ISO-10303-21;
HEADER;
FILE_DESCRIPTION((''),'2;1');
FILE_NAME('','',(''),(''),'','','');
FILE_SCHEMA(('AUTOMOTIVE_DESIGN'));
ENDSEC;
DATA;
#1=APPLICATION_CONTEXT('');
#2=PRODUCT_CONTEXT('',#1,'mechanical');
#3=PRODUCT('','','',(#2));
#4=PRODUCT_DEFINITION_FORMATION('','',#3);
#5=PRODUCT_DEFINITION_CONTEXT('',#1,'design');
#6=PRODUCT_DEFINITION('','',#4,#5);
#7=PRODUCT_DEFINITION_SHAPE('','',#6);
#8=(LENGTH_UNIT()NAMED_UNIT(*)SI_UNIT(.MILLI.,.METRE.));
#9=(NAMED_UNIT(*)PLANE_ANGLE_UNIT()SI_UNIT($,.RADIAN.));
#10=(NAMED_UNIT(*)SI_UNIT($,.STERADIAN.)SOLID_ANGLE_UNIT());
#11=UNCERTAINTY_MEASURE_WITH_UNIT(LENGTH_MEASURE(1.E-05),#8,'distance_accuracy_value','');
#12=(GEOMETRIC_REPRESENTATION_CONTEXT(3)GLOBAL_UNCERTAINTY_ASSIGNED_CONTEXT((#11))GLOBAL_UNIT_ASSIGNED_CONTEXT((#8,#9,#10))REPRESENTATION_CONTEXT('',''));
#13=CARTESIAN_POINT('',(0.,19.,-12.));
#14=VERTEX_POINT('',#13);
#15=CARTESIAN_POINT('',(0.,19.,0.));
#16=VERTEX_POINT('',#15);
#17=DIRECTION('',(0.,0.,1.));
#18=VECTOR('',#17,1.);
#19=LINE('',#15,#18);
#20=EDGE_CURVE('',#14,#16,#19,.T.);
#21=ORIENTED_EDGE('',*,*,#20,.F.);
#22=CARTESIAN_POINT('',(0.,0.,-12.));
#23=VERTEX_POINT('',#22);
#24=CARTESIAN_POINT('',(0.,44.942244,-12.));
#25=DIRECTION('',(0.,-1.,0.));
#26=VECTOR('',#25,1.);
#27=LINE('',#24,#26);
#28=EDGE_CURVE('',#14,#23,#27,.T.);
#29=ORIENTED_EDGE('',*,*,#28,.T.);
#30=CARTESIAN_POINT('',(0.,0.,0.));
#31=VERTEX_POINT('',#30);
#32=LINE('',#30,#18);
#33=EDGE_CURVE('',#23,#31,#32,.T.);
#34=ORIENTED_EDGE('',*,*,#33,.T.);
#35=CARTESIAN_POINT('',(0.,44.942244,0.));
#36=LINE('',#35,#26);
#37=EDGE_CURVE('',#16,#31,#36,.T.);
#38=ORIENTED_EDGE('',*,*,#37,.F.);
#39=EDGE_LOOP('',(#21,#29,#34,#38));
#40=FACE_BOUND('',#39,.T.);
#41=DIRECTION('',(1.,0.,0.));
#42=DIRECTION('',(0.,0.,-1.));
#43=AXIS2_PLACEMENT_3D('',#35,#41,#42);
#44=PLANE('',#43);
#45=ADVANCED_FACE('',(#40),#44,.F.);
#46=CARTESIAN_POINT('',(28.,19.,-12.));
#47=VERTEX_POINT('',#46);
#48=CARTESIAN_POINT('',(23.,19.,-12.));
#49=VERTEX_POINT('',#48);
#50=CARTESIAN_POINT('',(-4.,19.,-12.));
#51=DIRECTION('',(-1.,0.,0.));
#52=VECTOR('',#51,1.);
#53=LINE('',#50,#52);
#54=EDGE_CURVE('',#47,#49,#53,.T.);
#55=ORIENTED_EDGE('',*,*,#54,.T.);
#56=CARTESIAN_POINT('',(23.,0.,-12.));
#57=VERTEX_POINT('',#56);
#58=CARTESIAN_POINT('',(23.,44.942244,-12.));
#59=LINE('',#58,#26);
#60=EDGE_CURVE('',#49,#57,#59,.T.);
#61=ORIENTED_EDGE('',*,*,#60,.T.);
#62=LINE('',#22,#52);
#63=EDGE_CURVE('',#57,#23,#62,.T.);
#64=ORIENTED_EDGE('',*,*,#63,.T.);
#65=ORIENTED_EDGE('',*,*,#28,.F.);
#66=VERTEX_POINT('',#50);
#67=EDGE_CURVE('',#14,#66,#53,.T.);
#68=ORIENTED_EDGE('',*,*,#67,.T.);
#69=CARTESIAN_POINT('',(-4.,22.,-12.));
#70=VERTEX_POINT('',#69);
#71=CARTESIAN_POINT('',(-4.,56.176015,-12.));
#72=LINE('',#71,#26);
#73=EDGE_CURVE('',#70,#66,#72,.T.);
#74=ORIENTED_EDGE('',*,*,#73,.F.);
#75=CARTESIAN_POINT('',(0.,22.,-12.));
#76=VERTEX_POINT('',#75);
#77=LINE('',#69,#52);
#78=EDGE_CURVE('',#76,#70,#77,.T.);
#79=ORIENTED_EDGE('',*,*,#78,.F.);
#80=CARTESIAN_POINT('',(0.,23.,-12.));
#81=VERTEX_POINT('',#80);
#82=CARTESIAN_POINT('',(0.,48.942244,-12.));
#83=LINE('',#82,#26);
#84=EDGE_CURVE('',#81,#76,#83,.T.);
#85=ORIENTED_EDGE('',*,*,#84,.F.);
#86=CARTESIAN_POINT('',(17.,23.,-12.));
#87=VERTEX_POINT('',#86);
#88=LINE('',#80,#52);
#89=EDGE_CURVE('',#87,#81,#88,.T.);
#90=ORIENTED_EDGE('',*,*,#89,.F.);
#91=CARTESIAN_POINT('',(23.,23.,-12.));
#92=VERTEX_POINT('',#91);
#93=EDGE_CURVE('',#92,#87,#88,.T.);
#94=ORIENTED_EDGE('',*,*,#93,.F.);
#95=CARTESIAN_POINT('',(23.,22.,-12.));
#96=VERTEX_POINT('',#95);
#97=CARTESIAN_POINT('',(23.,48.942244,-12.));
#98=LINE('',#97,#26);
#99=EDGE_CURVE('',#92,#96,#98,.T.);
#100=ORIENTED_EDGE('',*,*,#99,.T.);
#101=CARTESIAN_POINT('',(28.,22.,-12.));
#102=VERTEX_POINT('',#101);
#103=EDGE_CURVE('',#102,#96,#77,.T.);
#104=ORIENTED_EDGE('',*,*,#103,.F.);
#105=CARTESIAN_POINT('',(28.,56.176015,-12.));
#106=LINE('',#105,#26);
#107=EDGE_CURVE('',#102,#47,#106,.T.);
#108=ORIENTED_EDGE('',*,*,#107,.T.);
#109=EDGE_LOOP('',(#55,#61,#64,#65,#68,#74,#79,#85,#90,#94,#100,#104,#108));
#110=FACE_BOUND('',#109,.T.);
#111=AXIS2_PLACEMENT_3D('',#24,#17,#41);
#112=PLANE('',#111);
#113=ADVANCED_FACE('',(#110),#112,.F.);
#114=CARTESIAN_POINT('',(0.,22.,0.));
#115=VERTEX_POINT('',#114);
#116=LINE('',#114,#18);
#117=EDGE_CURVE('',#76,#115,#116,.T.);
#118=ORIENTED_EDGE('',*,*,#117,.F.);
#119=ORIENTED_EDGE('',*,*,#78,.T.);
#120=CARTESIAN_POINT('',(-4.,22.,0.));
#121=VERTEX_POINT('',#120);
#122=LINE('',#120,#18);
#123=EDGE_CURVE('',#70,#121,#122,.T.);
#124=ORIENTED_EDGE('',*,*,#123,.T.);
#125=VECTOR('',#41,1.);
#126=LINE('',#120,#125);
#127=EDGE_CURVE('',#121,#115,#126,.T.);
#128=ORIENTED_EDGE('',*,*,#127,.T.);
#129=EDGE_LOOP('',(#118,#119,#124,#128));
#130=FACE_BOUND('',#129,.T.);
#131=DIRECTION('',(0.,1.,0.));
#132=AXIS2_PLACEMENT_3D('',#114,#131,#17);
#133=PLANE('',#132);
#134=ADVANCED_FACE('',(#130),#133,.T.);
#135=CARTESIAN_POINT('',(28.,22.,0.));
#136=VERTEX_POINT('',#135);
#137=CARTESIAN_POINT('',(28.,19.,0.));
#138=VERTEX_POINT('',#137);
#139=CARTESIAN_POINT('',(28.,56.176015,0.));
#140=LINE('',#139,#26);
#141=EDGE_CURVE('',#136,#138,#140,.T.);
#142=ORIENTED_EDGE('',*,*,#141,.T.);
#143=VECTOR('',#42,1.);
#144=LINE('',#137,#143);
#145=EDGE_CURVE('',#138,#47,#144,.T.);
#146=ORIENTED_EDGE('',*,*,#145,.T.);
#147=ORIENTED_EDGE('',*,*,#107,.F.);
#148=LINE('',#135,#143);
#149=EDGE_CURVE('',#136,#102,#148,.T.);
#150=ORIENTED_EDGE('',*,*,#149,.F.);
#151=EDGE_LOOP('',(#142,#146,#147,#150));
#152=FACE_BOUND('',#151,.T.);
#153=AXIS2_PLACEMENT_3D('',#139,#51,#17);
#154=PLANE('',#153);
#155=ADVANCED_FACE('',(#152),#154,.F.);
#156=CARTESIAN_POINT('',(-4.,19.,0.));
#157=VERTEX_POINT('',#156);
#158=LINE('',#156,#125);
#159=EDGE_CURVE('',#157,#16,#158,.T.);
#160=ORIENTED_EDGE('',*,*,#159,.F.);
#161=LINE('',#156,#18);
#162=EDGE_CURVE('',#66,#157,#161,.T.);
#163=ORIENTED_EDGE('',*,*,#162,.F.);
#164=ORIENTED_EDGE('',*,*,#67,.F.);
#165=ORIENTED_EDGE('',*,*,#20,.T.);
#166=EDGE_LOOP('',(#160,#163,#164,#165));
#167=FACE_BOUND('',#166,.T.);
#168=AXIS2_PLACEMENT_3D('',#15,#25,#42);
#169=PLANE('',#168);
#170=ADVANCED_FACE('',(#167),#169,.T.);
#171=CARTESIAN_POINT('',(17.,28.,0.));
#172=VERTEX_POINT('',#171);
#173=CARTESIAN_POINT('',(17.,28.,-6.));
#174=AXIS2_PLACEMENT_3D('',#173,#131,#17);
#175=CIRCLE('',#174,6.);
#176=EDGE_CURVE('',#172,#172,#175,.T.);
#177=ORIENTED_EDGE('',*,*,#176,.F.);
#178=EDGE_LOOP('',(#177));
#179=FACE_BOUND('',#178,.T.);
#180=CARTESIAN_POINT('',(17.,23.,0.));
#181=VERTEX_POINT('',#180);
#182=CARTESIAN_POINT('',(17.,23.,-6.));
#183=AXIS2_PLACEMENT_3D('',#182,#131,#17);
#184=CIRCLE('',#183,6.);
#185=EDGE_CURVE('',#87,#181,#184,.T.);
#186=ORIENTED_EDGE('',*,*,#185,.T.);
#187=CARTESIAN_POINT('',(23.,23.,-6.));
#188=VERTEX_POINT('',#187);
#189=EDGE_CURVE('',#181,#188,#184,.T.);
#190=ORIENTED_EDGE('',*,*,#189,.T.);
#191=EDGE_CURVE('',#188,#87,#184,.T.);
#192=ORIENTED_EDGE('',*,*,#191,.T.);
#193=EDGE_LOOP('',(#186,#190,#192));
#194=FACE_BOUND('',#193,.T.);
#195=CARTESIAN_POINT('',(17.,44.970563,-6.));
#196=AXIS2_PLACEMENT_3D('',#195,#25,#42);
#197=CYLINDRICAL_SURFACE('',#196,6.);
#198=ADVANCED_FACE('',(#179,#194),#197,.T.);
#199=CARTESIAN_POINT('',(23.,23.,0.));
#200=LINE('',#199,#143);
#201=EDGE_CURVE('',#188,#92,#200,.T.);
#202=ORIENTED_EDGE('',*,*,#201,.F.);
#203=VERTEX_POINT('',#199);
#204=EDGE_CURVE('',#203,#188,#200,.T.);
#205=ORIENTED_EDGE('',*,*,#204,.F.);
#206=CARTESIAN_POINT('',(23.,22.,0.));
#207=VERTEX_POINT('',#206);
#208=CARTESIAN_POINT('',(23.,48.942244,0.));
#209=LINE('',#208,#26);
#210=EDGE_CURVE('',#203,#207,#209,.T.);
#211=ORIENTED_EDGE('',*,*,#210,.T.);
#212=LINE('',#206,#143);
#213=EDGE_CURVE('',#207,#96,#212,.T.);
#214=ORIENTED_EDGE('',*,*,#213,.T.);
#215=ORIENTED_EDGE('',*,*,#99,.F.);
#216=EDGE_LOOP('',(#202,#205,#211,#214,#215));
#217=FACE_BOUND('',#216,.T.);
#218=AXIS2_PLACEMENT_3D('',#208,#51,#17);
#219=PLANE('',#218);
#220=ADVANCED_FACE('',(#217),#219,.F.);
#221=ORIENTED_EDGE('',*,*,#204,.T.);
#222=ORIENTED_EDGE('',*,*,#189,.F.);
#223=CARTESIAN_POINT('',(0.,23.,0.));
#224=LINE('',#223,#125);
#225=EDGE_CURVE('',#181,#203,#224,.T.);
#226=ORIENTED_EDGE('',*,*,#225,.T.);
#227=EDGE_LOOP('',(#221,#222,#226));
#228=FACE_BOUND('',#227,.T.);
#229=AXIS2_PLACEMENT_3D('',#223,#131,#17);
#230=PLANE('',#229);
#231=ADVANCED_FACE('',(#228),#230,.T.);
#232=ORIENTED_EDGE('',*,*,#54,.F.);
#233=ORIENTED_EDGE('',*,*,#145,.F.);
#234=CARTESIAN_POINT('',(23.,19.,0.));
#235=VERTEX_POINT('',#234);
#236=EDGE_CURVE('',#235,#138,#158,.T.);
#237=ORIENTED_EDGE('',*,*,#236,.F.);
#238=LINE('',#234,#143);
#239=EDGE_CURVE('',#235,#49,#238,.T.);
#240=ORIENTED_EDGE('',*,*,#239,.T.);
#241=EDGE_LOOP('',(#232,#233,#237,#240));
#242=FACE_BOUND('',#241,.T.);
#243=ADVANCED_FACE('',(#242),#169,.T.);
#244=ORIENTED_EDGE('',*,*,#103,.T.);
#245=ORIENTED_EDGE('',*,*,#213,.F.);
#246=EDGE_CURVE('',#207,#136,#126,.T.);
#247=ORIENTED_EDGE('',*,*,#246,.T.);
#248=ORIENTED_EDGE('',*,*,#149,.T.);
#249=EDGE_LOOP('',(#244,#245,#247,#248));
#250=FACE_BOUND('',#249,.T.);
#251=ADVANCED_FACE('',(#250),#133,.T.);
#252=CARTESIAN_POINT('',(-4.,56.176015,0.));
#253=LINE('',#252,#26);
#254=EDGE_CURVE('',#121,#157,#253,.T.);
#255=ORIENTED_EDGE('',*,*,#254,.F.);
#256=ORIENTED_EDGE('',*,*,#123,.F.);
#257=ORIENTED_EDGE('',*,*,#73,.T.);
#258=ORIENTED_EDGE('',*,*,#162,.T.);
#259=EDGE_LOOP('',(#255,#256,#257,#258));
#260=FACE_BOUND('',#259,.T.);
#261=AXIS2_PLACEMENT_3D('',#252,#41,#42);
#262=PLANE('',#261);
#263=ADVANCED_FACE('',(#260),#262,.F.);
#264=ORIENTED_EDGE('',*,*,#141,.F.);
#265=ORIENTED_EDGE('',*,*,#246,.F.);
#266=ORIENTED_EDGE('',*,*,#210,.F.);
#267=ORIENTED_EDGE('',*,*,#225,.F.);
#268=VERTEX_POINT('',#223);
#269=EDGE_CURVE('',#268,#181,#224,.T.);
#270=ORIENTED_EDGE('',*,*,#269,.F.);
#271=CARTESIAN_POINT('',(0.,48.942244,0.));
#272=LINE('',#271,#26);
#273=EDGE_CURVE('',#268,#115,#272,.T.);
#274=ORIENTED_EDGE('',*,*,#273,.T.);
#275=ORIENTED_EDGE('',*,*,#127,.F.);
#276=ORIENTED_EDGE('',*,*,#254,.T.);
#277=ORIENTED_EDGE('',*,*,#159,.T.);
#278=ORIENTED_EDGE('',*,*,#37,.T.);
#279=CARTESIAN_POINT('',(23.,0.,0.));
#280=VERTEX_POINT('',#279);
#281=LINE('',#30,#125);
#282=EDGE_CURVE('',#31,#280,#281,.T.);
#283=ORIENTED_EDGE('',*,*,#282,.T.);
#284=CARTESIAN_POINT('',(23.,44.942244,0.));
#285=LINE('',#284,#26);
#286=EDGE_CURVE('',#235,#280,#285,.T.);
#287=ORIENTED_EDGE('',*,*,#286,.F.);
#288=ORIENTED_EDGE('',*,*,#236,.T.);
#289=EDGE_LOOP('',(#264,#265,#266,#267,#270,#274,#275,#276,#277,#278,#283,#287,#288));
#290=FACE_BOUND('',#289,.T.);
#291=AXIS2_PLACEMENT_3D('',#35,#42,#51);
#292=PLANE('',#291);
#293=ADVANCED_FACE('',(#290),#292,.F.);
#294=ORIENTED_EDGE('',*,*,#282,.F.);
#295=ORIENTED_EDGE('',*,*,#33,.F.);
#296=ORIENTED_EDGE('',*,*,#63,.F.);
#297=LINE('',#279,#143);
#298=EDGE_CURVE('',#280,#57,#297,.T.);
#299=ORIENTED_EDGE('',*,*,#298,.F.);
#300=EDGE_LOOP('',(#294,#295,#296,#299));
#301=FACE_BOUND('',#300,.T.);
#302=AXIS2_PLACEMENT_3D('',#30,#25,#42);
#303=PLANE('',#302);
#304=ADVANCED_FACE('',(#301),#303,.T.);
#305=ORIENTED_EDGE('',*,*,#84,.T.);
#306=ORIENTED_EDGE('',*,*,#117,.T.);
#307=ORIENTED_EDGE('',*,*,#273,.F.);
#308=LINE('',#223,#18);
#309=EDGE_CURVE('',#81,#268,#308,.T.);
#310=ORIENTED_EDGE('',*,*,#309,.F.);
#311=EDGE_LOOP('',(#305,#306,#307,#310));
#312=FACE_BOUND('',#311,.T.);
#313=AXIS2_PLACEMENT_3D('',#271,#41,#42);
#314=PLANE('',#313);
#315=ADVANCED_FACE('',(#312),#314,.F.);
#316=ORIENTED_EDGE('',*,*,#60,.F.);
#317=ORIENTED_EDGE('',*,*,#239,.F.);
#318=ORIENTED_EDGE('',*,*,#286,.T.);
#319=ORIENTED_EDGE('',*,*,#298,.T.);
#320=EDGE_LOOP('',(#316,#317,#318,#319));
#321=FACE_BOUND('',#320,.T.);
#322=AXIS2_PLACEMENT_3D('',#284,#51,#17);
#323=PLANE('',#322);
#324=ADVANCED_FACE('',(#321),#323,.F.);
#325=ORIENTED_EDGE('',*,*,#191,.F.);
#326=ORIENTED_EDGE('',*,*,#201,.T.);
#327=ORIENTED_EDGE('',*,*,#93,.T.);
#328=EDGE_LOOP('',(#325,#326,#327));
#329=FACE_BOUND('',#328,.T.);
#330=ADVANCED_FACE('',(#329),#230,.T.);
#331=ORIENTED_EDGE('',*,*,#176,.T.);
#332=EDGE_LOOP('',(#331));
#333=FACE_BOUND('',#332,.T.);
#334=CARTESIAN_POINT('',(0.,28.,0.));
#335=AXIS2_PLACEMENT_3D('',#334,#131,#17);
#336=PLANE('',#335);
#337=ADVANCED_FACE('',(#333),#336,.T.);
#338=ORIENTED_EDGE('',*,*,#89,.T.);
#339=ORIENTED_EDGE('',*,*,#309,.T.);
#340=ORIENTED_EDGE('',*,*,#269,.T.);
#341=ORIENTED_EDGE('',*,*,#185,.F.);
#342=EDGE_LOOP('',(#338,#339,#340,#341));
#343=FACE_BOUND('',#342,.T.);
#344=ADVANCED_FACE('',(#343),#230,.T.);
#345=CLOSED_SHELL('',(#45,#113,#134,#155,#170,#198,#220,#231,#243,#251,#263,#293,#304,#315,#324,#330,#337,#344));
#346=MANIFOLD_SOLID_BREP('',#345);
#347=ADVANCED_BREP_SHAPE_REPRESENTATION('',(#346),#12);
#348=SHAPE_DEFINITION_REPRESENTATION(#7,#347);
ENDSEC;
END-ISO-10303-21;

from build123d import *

# Parameters (mm, degrees)
CORPS_SERVO_W      = 23
CORPS_SERVO_H      = 12
BOSS_EXTRU_2_DEPTH = 19
PLAQUE_TROUS_W     = 32
PLAQUE_TROUS_H     = 12
BOSS_EXTRU_3_DEPTH = 3
ESQUISSE5_W        = 23
ESQUISSE5_H        = 12
BOSS_EXTRU_4_DEPTH = 1
ESQUISSE6_R        = 6
BOSS_EXTRU_5_DEPTH = 5


with BuildPart() as part:
    # corps servo → Boss.-Extru.2 (new body)
    with BuildSketch(Plane(origin=(0, 0, 0), x_dir=(1, 0, 0), z_dir=(0, 1, 0))):
        with Locations((11.5, 6)):
            Rectangle(CORPS_SERVO_W, CORPS_SERVO_H)
    extrude(amount=BOSS_EXTRU_2_DEPTH)

    # plaque trous → Boss.-Extru.3 (add)
    with BuildSketch(Plane(origin=(0, 19, 0), x_dir=(1, 0, 0), z_dir=(0, 1, 0))):
        with Locations((12, 6)):
            Rectangle(PLAQUE_TROUS_W, PLAQUE_TROUS_H)
    extrude(amount=BOSS_EXTRU_3_DEPTH)

    # Esquisse5 → Boss.-Extru.4 (add)
    with BuildSketch(Plane(origin=(0, 22, 0), x_dir=(1, 0, 0), z_dir=(0, 1, 0))):
        with Locations((11.5, 6)):
            Rectangle(ESQUISSE5_W, ESQUISSE5_H)
    extrude(amount=BOSS_EXTRU_4_DEPTH)

    # Esquisse6 → Boss.-Extru.5 (add)
    with BuildSketch(Plane(origin=(0, 23, 0), x_dir=(1, 0, 0), z_dir=(0, 1, 0))):
        with Locations((17, 6)):
            Circle(ESQUISSE6_R)
    extrude(amount=BOSS_EXTRU_5_DEPTH)


solid = part.part
